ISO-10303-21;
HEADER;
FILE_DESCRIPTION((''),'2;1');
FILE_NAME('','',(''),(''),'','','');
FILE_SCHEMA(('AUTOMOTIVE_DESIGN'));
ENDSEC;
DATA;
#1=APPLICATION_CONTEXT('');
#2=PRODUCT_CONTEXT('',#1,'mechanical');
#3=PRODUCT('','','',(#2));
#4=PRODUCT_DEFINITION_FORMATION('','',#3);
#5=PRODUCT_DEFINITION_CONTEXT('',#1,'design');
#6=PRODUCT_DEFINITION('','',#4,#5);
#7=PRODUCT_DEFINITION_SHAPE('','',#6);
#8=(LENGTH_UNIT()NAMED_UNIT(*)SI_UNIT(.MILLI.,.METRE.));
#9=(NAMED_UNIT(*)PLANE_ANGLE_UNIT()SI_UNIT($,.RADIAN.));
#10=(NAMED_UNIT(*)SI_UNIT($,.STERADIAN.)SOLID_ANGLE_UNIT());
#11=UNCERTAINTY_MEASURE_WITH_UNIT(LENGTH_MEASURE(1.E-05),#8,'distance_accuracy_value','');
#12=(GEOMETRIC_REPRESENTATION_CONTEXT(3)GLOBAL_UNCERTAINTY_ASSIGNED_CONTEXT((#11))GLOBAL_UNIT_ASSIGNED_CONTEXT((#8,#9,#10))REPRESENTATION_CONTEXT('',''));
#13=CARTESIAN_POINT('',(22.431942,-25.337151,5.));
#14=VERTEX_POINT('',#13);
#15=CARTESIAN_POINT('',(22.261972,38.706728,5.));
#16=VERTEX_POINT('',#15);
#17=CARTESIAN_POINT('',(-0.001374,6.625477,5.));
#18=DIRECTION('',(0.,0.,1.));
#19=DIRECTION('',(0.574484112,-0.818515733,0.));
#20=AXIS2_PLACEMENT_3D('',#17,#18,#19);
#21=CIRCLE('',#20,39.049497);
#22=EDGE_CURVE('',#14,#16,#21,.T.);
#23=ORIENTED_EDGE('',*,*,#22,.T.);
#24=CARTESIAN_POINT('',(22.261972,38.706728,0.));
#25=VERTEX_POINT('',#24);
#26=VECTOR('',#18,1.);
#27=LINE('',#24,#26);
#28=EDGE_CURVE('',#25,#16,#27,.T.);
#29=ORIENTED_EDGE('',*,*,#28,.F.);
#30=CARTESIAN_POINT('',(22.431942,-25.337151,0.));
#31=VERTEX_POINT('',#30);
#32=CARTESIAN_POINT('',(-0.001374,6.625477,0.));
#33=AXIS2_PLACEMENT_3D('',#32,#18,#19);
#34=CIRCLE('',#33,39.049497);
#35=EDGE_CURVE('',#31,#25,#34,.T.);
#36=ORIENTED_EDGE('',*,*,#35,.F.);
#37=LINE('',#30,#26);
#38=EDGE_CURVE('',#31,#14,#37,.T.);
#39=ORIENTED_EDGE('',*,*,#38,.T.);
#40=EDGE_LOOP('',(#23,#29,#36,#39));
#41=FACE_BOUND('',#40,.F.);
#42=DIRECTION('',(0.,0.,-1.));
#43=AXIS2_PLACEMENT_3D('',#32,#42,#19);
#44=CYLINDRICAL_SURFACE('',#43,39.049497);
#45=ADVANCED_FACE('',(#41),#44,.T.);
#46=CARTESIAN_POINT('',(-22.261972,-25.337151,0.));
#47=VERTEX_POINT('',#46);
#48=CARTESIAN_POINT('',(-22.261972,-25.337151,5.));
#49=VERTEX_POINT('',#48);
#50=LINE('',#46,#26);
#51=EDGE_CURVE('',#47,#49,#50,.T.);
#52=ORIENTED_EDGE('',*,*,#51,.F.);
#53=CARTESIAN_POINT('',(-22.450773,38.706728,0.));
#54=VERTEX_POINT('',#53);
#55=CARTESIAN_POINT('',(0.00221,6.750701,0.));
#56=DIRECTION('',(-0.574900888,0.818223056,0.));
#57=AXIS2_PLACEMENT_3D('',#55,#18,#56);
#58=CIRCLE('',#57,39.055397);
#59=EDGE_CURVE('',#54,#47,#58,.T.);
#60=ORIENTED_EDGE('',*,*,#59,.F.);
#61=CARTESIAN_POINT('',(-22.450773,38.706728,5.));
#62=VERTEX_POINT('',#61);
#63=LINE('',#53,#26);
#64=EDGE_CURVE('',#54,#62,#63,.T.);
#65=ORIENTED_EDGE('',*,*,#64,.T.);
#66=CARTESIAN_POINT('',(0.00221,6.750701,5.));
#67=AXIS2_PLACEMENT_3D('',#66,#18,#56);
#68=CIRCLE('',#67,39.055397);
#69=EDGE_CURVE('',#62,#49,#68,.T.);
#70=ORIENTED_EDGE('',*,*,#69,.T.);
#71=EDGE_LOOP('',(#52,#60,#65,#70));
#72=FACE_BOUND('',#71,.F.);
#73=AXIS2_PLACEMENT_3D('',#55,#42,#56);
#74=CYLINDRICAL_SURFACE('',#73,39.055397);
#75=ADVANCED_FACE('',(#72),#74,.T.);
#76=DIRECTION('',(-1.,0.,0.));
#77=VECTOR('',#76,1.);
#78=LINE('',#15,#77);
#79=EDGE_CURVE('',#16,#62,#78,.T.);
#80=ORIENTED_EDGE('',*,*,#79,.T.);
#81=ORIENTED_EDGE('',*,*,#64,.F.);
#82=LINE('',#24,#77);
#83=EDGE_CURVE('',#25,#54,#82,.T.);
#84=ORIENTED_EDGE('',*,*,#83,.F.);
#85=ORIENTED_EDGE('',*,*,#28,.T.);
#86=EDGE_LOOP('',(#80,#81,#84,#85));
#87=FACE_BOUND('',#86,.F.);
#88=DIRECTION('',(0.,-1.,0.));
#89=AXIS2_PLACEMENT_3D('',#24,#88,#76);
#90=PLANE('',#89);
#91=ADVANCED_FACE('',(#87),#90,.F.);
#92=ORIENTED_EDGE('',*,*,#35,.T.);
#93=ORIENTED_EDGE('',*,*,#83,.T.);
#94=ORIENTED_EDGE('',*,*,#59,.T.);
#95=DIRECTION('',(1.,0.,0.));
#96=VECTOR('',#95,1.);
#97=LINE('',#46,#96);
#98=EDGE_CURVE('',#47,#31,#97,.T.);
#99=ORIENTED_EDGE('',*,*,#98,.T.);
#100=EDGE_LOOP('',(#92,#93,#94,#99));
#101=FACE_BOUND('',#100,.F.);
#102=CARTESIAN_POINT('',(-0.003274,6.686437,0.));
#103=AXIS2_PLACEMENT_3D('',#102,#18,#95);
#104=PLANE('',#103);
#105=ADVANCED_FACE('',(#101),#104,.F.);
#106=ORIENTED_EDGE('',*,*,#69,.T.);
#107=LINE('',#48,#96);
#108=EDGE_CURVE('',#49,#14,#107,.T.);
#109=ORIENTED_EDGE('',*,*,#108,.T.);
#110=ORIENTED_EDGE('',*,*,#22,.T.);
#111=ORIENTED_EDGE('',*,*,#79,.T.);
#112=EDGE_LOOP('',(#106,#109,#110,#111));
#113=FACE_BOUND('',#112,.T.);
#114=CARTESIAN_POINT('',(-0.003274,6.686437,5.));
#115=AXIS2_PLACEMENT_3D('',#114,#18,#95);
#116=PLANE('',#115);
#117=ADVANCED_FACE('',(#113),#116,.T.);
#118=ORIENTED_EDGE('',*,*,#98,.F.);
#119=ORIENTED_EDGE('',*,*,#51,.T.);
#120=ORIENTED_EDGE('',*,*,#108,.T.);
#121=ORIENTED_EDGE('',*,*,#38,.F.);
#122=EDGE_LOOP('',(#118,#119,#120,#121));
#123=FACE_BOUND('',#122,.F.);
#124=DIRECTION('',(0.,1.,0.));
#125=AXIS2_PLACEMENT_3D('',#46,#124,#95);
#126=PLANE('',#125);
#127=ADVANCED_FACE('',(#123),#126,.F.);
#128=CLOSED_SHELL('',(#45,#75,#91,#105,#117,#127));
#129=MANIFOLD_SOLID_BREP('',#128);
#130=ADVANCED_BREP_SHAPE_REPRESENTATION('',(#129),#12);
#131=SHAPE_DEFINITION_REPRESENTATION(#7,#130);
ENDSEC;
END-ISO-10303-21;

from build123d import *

# Parameters (mm, degrees)
PAD_1_DEPTH = 5


with BuildPart() as part:
    # Sketch_1 → Pad_1 (new body)
    with BuildSketch(Plane.XY):
        with BuildLine():
            ThreePointArc((22.431942, -25.337151), (39.047986, 6.729112), (22.261972, 38.706728))
            Line((22.261972, 38.706728), (-22.450773, 38.706728))
            ThreePointArc((-22.450773, 38.706728), (-39.053018, 6.635567), (-22.261972, -25.337151))
            Line((-22.261972, -25.337151), (22.431942, -25.337151))
        make_face()
    extrude(amount=PAD_1_DEPTH)


solid = part.part
